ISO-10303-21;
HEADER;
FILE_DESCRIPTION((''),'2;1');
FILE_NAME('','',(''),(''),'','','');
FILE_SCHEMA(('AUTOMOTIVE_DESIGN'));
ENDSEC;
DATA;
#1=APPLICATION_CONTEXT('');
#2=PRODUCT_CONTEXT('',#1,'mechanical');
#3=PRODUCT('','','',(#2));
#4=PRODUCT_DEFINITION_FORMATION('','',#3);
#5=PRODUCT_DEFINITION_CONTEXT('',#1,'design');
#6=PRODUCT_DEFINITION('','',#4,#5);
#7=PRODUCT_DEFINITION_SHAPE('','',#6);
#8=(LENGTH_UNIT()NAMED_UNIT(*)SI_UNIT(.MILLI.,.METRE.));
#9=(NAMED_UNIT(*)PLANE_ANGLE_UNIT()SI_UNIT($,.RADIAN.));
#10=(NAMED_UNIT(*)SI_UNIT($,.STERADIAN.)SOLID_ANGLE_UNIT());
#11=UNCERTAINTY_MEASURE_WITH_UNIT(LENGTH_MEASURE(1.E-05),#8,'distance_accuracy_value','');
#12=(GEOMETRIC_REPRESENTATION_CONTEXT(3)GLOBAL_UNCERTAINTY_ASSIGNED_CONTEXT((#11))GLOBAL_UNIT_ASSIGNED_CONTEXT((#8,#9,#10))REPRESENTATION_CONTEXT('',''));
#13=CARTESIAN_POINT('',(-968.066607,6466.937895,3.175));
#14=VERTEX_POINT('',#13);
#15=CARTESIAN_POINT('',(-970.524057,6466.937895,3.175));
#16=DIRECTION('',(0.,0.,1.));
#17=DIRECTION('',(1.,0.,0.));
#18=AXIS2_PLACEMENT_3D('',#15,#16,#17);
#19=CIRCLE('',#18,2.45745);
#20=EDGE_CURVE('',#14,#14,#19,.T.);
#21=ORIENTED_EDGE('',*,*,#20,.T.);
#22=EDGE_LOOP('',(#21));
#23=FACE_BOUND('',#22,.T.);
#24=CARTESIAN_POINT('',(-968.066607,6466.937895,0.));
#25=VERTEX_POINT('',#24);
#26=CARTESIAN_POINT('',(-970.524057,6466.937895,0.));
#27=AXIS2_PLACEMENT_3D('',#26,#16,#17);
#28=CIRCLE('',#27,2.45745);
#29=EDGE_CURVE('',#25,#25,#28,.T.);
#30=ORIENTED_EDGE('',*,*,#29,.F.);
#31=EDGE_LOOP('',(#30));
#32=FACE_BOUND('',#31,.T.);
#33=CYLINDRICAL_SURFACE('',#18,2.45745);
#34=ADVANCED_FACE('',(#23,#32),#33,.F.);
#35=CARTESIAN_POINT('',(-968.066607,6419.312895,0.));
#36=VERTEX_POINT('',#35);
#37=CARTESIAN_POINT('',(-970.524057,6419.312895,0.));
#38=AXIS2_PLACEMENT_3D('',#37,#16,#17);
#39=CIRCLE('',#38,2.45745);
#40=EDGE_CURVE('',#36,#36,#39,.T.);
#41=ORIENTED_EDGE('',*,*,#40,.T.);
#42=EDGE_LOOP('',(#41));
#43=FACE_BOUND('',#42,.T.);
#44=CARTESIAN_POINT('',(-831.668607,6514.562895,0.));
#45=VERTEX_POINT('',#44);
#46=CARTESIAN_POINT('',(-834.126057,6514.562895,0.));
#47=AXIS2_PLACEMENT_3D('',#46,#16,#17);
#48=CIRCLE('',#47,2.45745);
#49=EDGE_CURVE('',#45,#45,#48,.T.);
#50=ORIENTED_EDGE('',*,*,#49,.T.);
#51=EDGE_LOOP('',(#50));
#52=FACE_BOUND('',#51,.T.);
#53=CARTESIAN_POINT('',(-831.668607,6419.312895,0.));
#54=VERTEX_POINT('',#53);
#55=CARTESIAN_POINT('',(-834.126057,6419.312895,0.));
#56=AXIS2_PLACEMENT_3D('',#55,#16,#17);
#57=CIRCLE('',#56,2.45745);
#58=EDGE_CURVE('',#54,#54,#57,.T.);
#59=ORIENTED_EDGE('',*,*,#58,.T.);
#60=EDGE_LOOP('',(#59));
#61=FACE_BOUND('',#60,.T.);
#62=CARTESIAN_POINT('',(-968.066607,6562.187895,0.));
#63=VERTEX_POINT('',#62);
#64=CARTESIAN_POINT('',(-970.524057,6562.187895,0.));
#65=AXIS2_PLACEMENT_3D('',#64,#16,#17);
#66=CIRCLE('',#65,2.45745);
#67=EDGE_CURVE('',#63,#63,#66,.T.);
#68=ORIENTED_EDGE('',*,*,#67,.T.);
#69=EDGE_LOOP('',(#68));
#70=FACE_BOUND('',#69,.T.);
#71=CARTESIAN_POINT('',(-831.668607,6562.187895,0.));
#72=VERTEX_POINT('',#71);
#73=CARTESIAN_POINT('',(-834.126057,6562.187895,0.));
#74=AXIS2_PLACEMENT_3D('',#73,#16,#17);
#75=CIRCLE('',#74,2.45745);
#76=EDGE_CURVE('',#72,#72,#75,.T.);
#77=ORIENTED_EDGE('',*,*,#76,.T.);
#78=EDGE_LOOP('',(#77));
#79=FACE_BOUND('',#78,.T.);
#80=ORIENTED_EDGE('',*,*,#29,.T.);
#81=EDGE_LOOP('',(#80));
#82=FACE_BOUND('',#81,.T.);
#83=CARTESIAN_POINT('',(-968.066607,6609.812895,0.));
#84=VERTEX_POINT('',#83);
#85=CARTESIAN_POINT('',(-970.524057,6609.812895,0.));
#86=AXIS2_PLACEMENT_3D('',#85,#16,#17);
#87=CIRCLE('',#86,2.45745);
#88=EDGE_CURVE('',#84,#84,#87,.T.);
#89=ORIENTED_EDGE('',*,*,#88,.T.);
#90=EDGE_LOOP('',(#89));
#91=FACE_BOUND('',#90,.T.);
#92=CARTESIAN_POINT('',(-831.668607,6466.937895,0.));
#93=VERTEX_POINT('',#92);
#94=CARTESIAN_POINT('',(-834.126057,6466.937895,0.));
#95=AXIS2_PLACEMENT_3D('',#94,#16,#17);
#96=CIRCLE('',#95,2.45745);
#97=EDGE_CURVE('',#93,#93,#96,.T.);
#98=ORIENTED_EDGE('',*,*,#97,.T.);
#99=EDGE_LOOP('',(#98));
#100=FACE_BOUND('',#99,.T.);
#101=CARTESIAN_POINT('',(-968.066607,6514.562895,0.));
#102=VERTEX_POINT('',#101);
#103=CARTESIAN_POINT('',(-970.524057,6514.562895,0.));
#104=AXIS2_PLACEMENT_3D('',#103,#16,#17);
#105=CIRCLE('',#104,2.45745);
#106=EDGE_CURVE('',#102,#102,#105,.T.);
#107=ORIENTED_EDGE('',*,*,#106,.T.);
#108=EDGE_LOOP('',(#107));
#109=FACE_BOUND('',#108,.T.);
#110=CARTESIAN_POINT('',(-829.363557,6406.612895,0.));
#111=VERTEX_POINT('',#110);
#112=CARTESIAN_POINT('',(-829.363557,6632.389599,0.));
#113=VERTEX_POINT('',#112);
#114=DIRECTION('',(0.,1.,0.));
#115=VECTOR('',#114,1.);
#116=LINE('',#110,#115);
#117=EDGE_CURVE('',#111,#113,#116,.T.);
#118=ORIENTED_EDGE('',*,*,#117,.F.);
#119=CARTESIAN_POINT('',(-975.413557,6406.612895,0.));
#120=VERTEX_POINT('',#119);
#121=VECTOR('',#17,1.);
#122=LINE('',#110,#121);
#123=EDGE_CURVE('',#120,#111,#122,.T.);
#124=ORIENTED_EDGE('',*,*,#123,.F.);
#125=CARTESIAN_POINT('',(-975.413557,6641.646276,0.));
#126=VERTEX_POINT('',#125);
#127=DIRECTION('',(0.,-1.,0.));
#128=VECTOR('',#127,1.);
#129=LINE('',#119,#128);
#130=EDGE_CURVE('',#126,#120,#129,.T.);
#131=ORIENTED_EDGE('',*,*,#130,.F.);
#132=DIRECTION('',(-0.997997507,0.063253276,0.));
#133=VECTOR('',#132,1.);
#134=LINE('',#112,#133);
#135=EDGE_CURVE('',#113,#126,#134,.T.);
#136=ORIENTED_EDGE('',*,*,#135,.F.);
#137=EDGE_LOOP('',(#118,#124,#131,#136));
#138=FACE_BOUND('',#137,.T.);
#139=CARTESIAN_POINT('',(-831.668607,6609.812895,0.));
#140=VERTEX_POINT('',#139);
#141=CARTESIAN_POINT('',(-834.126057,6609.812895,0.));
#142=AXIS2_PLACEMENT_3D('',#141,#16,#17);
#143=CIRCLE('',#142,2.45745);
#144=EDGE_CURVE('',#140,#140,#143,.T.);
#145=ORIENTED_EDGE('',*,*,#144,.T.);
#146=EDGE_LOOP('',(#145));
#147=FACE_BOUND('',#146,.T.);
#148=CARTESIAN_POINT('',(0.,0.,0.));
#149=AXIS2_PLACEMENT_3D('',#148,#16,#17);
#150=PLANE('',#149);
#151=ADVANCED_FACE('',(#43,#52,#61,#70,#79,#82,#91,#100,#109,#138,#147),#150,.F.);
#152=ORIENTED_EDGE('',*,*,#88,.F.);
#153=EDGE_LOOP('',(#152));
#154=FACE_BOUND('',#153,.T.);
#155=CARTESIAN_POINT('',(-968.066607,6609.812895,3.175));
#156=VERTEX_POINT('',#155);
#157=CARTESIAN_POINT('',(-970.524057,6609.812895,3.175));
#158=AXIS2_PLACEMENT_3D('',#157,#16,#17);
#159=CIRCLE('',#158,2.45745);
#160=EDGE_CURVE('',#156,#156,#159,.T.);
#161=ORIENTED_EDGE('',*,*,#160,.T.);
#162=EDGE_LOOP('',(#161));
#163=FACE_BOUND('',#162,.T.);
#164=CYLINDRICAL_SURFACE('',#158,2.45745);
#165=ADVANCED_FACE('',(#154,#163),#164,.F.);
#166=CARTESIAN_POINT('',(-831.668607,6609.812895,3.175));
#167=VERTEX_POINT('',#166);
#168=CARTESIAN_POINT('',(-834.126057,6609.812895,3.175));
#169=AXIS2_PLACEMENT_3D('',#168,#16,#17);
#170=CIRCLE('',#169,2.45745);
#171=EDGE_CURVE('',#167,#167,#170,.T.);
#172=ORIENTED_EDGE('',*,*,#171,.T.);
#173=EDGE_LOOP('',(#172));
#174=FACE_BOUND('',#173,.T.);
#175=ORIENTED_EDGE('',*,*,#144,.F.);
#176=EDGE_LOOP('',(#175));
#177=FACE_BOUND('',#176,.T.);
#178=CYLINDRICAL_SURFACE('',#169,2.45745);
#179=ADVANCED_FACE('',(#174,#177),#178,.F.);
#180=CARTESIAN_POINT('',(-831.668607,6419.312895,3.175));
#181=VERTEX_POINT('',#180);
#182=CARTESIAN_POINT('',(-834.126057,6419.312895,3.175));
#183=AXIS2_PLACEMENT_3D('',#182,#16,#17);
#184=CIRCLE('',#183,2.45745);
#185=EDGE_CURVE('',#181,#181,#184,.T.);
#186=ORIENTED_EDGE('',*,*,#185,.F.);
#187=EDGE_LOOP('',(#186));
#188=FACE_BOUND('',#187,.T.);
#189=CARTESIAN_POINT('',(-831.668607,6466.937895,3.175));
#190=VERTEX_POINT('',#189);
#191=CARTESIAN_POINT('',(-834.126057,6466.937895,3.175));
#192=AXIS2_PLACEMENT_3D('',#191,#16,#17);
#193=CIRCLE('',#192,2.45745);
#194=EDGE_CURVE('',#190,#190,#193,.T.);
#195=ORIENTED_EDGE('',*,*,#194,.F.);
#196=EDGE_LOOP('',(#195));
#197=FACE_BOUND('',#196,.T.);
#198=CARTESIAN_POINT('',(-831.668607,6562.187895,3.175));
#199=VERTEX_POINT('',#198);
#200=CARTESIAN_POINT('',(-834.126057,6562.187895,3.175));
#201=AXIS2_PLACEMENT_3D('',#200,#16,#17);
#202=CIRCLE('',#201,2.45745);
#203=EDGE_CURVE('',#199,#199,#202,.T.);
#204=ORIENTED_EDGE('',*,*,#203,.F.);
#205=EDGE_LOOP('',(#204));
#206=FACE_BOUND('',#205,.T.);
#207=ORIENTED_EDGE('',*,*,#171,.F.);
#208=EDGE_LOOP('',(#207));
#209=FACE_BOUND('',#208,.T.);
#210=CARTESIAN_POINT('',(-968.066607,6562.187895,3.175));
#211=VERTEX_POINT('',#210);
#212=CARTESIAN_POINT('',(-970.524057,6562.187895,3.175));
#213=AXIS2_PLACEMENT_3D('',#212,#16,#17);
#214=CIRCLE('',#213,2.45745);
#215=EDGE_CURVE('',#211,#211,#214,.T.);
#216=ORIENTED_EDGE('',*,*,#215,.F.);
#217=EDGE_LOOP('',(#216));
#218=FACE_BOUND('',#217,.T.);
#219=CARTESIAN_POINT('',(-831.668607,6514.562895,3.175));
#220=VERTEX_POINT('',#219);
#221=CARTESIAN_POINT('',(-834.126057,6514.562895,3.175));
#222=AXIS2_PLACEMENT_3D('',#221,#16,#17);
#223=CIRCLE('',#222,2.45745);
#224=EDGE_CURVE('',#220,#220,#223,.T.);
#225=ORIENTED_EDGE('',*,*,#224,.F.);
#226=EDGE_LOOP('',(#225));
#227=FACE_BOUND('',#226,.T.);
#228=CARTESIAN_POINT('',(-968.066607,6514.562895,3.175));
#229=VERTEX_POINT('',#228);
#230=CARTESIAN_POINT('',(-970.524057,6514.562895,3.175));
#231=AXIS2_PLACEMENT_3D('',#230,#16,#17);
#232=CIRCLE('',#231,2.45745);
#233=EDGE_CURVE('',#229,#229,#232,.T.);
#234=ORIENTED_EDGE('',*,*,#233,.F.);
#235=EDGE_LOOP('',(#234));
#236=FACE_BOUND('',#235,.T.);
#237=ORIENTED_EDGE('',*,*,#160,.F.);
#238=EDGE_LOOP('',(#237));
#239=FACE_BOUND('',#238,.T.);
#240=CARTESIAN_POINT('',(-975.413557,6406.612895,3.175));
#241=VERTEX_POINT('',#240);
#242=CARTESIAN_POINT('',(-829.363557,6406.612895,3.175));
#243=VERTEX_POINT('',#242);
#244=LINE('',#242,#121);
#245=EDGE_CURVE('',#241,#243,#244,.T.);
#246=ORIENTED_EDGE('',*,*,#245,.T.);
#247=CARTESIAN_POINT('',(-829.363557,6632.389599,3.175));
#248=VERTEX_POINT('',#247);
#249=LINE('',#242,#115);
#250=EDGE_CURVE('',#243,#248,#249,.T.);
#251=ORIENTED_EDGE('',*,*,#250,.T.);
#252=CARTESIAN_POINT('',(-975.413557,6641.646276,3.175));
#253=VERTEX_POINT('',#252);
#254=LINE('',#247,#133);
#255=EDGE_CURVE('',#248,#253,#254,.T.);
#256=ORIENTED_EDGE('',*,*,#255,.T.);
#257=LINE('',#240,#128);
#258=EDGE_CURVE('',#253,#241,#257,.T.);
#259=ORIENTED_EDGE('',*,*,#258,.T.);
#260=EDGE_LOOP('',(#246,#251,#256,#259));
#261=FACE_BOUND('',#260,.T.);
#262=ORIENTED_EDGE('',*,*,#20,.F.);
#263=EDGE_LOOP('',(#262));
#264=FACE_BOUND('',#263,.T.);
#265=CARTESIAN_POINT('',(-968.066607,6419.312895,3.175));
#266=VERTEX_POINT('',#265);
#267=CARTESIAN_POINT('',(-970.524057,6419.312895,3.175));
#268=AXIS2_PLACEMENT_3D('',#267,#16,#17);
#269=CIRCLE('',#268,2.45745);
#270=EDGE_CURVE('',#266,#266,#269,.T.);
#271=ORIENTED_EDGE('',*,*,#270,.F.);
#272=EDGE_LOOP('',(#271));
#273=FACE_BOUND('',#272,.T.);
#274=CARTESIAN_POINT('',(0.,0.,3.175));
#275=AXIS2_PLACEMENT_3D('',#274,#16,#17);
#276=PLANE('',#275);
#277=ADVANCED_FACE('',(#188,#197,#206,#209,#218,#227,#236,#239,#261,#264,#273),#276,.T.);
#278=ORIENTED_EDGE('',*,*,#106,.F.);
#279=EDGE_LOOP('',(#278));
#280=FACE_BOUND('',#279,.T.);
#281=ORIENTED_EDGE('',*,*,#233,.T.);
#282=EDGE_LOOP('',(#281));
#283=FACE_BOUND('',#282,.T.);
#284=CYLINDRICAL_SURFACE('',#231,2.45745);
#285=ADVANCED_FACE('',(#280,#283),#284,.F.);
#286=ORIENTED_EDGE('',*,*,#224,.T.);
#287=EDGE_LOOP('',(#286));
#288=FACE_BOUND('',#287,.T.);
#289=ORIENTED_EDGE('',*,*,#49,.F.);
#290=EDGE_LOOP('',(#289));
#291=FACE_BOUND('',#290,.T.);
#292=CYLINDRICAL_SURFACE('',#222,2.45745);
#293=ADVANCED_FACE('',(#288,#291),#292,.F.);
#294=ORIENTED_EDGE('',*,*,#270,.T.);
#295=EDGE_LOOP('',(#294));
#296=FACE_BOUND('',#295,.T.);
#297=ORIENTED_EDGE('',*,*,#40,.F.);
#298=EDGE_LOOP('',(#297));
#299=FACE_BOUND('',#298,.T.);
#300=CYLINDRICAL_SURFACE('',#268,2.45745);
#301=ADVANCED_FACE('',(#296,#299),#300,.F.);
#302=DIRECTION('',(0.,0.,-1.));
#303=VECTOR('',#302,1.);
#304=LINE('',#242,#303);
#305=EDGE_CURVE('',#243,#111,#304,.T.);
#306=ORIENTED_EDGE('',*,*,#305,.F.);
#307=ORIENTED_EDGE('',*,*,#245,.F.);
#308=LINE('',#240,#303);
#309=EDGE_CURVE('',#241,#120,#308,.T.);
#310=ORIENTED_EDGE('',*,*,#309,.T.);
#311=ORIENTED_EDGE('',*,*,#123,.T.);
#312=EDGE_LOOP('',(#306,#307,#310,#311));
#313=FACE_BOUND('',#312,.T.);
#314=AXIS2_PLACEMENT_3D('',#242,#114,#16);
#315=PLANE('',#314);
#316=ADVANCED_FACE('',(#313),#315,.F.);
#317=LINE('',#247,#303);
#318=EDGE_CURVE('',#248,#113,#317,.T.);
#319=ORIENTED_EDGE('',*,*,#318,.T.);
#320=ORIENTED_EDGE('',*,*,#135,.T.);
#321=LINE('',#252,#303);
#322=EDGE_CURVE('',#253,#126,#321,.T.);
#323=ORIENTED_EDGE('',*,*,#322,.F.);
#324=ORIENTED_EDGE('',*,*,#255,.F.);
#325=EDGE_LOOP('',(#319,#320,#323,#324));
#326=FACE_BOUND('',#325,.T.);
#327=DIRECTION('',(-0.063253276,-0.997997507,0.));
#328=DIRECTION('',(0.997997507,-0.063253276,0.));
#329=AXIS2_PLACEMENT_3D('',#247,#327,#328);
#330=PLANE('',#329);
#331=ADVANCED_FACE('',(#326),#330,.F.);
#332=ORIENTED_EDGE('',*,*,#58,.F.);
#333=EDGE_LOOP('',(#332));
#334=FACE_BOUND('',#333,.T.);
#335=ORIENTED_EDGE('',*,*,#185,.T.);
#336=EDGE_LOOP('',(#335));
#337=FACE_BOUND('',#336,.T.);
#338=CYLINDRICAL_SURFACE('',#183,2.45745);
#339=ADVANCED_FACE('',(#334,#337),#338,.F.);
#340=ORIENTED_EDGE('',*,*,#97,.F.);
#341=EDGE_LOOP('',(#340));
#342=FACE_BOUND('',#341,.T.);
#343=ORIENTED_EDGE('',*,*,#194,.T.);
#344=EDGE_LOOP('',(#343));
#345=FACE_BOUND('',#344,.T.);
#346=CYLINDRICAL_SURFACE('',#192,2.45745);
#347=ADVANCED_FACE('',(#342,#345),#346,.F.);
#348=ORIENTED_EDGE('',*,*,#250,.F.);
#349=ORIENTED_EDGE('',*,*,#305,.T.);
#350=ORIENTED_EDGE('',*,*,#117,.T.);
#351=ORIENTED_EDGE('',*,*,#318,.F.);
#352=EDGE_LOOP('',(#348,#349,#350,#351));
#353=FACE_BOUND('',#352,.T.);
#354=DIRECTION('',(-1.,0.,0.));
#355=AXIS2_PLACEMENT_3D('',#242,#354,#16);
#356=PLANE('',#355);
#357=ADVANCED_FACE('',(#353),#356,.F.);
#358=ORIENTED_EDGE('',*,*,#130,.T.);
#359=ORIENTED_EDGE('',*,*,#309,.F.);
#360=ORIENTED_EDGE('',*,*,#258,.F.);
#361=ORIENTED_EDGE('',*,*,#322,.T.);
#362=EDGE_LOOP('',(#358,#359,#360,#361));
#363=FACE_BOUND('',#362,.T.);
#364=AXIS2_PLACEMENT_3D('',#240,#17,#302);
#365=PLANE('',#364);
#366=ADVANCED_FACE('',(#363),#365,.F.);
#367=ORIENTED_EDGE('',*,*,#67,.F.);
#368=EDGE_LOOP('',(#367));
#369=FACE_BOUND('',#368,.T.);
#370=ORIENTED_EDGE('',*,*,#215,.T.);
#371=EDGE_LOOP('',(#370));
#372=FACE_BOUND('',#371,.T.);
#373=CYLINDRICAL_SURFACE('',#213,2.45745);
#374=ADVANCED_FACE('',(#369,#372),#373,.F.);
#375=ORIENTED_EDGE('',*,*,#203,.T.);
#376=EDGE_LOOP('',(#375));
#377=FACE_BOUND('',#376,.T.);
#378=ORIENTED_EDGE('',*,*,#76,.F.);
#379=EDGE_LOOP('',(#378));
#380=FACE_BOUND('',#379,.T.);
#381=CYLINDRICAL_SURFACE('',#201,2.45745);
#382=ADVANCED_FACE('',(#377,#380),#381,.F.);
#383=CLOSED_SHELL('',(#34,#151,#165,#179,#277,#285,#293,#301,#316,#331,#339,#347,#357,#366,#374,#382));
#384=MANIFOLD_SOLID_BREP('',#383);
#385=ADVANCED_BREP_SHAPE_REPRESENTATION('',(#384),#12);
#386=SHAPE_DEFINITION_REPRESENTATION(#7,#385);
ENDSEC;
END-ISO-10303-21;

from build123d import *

# Parameters (mm, degrees)
BOSS_EXTRUDE1_DEPTH       = 3.175
F_8_CLEARANCE_HOLE1_D     = 4.9149
F_8_CLEARANCE_HOLE1_DEPTH = 3.175


with BuildPart() as part:
    # Sketch1 → Boss-Extrude1 (new body)
    with BuildSketch(Plane.XY):
        Polygon((-829.363556946, 6406.612895041), (-975.413556946, 6406.612895041), (-975.413556946, 6641.646276193), (-829.363556946, 6632.389598842), align=None)
    extrude(amount=BOSS_EXTRUDE1_DEPTH)

    # #8 Clearance Hole1
    with Locations(Plane.XY.offset(3.175)):
        with Locations((-970.524056946, 6609.812895041), (-970.524056946, 6562.187895041), (-970.524056946, 6514.562895041), (-970.524056946, 6466.937895041), (-970.524056946, 6419.312895041), (-834.126056946, 6419.312895041), (-834.126056946, 6466.937895041), (-834.126056946, 6514.562895041), (-834.126056946, 6562.187895041), (-834.126056946, 6609.812895041)):
            Hole(F_8_CLEARANCE_HOLE1_D / 2, depth=F_8_CLEARANCE_HOLE1_DEPTH)


solid = part.part
